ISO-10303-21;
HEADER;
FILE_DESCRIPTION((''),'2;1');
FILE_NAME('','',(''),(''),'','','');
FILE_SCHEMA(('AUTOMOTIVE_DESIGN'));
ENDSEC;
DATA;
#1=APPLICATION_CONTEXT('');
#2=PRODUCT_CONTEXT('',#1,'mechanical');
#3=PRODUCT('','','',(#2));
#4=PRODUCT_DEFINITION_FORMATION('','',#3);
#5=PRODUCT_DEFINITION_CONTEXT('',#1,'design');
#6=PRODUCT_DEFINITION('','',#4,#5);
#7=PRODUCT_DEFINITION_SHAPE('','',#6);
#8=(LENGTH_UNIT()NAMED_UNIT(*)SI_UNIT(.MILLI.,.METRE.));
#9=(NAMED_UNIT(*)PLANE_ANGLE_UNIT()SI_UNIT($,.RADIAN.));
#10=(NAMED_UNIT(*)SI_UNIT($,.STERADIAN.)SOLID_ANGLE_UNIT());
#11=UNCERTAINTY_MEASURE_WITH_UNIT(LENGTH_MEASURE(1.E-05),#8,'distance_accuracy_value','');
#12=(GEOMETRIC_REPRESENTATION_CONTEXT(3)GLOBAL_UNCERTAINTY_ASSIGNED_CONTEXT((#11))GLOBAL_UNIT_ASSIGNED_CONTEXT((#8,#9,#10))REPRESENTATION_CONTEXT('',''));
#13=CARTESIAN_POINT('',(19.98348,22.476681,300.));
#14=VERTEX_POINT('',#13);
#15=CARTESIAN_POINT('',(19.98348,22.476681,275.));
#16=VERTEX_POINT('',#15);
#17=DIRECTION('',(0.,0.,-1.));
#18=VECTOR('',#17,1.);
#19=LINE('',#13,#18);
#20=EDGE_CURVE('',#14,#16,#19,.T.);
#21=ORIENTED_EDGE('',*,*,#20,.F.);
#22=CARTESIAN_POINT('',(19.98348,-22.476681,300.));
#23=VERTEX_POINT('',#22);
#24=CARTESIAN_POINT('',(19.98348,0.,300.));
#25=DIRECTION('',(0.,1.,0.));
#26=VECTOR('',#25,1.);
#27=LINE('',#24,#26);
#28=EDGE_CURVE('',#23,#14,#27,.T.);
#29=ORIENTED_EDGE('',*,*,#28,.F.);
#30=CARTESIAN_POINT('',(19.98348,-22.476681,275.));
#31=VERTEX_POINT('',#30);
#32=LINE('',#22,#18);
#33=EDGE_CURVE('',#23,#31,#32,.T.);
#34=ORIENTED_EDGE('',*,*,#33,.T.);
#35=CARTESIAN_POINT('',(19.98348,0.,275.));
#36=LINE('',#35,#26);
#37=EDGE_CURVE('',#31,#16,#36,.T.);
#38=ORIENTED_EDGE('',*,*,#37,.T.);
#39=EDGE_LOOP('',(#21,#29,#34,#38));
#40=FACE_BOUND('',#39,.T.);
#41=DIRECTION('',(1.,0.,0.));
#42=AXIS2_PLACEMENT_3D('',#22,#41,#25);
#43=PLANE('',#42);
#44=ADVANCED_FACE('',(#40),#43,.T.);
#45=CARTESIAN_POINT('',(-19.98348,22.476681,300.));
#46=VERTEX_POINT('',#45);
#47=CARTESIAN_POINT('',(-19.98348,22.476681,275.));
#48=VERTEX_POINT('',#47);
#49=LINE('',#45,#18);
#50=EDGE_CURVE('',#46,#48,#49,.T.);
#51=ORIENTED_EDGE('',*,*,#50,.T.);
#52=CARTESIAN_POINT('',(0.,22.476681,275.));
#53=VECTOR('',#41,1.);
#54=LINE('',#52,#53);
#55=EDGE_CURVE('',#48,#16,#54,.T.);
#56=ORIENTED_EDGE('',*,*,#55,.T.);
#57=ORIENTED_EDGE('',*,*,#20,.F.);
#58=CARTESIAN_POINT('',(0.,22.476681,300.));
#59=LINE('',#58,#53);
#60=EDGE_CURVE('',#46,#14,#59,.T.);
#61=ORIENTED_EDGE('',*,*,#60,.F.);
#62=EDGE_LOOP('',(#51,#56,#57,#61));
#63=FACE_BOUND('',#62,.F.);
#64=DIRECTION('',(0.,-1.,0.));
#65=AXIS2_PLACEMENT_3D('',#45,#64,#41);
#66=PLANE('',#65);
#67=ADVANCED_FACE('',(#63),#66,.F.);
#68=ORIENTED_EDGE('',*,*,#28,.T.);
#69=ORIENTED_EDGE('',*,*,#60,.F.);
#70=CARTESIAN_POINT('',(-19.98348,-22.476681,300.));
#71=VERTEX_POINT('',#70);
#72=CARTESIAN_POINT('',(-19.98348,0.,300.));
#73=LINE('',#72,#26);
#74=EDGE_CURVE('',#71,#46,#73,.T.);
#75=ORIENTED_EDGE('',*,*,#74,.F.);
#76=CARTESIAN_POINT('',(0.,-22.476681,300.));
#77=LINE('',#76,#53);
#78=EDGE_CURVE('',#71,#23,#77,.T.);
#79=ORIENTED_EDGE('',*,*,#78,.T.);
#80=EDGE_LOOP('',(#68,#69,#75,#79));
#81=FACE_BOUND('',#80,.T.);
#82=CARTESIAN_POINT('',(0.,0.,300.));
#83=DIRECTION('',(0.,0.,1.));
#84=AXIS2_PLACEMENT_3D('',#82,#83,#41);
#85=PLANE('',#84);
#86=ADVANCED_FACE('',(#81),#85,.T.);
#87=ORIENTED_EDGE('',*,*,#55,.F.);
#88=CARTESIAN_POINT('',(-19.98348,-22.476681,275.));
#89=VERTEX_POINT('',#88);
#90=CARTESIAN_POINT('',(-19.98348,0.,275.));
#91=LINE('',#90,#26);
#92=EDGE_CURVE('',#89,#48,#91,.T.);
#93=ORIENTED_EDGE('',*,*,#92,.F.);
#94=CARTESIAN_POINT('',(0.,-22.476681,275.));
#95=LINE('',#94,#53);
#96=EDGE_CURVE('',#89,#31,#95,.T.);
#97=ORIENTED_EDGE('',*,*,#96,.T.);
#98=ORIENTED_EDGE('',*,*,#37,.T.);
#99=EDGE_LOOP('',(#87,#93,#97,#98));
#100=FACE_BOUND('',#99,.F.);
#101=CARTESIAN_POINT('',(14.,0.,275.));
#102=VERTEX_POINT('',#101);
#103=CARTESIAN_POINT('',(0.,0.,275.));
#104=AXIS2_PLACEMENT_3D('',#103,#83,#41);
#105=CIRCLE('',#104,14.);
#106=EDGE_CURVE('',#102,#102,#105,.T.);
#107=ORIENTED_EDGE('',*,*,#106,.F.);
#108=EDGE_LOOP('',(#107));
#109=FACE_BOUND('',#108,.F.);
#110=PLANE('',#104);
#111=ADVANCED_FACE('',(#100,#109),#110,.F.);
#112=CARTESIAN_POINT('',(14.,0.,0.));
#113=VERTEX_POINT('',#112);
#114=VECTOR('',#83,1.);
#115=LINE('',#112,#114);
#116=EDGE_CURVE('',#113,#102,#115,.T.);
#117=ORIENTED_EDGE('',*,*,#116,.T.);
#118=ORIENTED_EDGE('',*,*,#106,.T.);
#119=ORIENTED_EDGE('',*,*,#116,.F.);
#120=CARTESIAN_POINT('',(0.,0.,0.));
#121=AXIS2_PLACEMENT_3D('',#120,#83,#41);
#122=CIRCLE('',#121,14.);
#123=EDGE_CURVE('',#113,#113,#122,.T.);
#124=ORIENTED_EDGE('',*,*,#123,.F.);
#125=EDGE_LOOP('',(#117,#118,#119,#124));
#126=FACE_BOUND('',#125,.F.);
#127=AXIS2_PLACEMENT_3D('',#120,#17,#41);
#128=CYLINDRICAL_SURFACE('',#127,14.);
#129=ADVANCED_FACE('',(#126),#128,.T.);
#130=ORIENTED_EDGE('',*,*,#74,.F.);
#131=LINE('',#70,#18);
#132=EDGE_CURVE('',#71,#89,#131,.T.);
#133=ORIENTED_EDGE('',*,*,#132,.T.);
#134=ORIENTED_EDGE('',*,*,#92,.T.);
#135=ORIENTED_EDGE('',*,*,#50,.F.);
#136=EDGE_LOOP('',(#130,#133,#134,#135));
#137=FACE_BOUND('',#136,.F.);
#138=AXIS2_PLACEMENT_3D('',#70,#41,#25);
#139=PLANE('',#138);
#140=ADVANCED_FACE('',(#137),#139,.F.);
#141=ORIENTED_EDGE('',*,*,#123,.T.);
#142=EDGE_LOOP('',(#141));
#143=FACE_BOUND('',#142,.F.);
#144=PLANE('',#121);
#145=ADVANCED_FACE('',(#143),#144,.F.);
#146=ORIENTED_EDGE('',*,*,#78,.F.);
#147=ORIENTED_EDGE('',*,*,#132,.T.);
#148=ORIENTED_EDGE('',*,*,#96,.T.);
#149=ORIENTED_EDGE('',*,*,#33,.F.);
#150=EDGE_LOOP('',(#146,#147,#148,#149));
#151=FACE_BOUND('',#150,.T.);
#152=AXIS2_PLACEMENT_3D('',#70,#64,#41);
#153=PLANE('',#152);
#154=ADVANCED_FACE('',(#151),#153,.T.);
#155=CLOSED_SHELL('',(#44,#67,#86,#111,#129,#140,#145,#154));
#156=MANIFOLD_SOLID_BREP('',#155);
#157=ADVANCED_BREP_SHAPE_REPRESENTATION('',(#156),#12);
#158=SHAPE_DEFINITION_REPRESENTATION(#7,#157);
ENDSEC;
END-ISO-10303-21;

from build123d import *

# Parameters (mm, degrees)
F0_R     = 14
F1_DEPTH = 300
F2_W     = 39.96696
F2_H     = 44.953362
F2_R     = 14
F3_DEPTH = 25


with BuildPart() as f1:
    # F0 (on Top) → F1 (new body)
    with BuildSketch(Plane.XY):
        Circle(F0_R)
    extrude(amount=F1_DEPTH)

    # F2 (on face) → F3 (join)
    with BuildSketch(Plane.XY.offset(300)):
        Rectangle(F2_W, F2_H)
        Circle(F2_R, mode=Mode.SUBTRACT)
    extrude(amount=-F3_DEPTH)


solid = f1.part
